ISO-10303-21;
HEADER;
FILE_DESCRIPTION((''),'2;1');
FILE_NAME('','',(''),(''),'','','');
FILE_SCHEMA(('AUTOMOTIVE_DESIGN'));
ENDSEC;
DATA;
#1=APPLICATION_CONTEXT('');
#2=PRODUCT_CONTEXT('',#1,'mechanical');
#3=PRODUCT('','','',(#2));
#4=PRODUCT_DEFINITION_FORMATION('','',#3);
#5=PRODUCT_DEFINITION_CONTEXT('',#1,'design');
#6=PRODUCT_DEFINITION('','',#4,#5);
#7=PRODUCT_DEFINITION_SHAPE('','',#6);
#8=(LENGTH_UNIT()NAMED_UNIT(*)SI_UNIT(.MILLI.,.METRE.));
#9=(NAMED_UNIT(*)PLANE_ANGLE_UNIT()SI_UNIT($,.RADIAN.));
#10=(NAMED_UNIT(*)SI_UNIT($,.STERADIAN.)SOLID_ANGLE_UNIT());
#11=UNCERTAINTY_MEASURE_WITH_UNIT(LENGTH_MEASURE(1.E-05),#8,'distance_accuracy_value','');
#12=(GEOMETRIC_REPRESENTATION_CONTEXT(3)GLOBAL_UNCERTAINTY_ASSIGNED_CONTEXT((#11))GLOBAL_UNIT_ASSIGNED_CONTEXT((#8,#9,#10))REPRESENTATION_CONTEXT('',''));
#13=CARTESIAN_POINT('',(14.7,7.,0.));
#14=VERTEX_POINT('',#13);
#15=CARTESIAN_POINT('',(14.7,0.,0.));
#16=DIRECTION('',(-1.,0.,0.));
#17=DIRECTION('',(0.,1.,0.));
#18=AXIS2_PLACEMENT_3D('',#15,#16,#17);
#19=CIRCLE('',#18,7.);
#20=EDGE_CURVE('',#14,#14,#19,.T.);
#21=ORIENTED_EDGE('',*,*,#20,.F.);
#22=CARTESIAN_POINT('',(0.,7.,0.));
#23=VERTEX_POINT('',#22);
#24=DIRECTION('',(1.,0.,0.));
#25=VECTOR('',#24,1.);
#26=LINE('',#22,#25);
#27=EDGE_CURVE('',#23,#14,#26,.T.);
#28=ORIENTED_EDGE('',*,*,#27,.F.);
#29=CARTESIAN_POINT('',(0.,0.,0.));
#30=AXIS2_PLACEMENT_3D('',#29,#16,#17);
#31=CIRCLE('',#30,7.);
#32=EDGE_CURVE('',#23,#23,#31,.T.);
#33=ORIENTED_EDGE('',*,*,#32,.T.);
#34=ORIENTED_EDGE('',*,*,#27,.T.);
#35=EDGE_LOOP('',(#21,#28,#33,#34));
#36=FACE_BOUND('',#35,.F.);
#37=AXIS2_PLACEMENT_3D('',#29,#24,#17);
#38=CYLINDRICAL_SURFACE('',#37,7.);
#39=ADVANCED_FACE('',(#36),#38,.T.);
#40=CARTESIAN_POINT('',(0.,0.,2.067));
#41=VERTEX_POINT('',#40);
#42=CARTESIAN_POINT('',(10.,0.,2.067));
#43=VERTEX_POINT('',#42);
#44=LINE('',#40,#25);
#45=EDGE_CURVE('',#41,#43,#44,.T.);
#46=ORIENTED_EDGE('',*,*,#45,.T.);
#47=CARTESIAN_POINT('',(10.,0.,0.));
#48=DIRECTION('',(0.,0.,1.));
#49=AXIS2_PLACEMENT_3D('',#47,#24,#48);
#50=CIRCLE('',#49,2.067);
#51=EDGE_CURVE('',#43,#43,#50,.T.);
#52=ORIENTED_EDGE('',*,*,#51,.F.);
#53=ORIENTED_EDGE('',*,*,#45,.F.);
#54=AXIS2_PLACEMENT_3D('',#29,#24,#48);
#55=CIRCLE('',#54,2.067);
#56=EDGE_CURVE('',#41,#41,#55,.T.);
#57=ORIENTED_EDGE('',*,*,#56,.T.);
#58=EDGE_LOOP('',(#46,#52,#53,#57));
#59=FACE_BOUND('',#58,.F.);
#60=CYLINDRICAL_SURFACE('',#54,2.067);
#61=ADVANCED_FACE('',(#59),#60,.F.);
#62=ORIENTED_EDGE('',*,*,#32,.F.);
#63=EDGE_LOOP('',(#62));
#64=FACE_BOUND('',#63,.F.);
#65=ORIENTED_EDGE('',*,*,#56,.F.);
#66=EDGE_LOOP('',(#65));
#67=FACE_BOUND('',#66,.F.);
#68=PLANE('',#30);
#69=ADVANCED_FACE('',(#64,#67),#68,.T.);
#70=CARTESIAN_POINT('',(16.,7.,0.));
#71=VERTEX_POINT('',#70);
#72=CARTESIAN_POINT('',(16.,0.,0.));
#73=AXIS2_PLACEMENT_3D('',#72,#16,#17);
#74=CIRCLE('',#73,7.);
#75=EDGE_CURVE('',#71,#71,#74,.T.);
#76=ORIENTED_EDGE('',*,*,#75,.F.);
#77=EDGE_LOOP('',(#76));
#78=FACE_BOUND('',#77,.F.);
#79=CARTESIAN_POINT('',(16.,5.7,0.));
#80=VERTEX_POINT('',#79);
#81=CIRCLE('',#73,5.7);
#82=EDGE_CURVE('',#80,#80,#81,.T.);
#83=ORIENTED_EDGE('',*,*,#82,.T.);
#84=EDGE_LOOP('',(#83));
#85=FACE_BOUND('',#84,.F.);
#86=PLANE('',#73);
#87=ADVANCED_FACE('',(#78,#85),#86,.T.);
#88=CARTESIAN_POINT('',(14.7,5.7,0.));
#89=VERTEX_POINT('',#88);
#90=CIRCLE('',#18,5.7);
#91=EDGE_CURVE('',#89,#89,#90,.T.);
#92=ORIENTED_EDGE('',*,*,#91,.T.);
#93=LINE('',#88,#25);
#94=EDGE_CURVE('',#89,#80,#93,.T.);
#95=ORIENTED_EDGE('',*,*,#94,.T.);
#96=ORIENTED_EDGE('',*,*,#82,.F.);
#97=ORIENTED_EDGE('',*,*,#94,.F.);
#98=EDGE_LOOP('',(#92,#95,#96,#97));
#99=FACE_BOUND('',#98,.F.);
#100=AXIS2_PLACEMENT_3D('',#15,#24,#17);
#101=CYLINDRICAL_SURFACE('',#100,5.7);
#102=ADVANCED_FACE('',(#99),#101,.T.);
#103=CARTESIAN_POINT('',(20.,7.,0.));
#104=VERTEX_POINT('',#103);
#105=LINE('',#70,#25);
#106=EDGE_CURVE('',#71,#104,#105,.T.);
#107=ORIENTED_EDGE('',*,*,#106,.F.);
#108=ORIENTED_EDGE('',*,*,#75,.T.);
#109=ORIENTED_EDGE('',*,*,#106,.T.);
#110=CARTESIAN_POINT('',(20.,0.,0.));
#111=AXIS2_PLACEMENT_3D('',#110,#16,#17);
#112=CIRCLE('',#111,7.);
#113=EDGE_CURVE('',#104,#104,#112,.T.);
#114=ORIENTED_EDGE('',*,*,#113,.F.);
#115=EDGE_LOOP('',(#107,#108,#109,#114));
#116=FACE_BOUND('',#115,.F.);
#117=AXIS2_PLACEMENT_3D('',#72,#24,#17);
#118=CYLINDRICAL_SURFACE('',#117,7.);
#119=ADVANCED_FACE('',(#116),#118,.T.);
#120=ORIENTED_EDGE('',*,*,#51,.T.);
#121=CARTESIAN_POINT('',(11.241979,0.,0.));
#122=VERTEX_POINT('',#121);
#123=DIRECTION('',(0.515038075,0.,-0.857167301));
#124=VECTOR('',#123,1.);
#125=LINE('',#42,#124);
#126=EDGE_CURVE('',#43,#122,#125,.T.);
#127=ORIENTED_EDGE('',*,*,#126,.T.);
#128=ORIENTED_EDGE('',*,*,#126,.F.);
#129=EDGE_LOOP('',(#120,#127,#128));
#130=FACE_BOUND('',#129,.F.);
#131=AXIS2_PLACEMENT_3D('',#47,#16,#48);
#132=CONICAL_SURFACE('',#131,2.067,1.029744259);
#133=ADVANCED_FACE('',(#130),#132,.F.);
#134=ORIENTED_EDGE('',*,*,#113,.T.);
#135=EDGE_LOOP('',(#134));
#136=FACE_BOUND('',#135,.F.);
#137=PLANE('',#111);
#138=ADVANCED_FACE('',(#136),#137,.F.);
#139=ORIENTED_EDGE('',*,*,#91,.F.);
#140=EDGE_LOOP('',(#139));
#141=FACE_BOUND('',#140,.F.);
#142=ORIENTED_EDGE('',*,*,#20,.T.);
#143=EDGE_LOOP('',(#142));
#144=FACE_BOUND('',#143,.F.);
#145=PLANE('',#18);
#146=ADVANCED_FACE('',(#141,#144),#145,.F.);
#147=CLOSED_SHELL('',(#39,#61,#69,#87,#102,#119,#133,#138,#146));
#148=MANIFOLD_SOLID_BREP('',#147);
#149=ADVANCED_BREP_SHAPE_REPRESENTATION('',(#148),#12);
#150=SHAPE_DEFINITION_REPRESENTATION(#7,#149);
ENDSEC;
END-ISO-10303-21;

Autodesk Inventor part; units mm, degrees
ref_plane "YZ Plane" through (0, 0, 0) normal (1, 0, 0) x (0, 1, 0)
ref_plane "XZ Plane" through (0, 0, 0) normal (0, 1, 0) x (-1, 0, 0)
ref_plane "XY Plane" through (0, 0, 0) normal (0, 0, 1) x (1, 0, 0)
sketch "Skizze1" plane through (0, 0, 0) normal (0, 0, 1) x (1, 0, 0)
  line L0 (0, 0) -> (0, 7)
  line L1 (0, 7) -> (14.7, 7)
  line L2 (14.7, 7) -> (14.7, 5.7)
  line L3 (14.7, 5.7) -> (16, 5.7)
  line L4 (16, 5.7) -> (16, 7)
  line L5 (16, 7) -> (20, 7)
  line L6 (20, 7) -> (20, 0)
  line L7 (20, 0) -> (0, 0)
  dimension "d0" = 14
  dimension "d1" = 20
  dimension "d2" = 4
  dimension "d3" = 1.3
  dimension "d4" = 1.3
revolve "Umdrehung1" add sketch "Skizze1" angle 360 about axis through (20, 0, 0) along (-1, 0, 0)
sketch "Skizze2" plane through (0, 0, 0) normal (-1, 0, 0) x (0, 0, 1)
  point P0 (0, 0)
  point P1 (0, 0)
hole "Bohrung1" at (0, 0, 0) direction (1, 0, 0) diameter 4.134 depth 10 tip angle 118 thread size "M5x0.8" class "6H" standard "ISO Metric profile"
properties part number "MainAxis_GC_Feder_Fixation_CapstonDisc"
